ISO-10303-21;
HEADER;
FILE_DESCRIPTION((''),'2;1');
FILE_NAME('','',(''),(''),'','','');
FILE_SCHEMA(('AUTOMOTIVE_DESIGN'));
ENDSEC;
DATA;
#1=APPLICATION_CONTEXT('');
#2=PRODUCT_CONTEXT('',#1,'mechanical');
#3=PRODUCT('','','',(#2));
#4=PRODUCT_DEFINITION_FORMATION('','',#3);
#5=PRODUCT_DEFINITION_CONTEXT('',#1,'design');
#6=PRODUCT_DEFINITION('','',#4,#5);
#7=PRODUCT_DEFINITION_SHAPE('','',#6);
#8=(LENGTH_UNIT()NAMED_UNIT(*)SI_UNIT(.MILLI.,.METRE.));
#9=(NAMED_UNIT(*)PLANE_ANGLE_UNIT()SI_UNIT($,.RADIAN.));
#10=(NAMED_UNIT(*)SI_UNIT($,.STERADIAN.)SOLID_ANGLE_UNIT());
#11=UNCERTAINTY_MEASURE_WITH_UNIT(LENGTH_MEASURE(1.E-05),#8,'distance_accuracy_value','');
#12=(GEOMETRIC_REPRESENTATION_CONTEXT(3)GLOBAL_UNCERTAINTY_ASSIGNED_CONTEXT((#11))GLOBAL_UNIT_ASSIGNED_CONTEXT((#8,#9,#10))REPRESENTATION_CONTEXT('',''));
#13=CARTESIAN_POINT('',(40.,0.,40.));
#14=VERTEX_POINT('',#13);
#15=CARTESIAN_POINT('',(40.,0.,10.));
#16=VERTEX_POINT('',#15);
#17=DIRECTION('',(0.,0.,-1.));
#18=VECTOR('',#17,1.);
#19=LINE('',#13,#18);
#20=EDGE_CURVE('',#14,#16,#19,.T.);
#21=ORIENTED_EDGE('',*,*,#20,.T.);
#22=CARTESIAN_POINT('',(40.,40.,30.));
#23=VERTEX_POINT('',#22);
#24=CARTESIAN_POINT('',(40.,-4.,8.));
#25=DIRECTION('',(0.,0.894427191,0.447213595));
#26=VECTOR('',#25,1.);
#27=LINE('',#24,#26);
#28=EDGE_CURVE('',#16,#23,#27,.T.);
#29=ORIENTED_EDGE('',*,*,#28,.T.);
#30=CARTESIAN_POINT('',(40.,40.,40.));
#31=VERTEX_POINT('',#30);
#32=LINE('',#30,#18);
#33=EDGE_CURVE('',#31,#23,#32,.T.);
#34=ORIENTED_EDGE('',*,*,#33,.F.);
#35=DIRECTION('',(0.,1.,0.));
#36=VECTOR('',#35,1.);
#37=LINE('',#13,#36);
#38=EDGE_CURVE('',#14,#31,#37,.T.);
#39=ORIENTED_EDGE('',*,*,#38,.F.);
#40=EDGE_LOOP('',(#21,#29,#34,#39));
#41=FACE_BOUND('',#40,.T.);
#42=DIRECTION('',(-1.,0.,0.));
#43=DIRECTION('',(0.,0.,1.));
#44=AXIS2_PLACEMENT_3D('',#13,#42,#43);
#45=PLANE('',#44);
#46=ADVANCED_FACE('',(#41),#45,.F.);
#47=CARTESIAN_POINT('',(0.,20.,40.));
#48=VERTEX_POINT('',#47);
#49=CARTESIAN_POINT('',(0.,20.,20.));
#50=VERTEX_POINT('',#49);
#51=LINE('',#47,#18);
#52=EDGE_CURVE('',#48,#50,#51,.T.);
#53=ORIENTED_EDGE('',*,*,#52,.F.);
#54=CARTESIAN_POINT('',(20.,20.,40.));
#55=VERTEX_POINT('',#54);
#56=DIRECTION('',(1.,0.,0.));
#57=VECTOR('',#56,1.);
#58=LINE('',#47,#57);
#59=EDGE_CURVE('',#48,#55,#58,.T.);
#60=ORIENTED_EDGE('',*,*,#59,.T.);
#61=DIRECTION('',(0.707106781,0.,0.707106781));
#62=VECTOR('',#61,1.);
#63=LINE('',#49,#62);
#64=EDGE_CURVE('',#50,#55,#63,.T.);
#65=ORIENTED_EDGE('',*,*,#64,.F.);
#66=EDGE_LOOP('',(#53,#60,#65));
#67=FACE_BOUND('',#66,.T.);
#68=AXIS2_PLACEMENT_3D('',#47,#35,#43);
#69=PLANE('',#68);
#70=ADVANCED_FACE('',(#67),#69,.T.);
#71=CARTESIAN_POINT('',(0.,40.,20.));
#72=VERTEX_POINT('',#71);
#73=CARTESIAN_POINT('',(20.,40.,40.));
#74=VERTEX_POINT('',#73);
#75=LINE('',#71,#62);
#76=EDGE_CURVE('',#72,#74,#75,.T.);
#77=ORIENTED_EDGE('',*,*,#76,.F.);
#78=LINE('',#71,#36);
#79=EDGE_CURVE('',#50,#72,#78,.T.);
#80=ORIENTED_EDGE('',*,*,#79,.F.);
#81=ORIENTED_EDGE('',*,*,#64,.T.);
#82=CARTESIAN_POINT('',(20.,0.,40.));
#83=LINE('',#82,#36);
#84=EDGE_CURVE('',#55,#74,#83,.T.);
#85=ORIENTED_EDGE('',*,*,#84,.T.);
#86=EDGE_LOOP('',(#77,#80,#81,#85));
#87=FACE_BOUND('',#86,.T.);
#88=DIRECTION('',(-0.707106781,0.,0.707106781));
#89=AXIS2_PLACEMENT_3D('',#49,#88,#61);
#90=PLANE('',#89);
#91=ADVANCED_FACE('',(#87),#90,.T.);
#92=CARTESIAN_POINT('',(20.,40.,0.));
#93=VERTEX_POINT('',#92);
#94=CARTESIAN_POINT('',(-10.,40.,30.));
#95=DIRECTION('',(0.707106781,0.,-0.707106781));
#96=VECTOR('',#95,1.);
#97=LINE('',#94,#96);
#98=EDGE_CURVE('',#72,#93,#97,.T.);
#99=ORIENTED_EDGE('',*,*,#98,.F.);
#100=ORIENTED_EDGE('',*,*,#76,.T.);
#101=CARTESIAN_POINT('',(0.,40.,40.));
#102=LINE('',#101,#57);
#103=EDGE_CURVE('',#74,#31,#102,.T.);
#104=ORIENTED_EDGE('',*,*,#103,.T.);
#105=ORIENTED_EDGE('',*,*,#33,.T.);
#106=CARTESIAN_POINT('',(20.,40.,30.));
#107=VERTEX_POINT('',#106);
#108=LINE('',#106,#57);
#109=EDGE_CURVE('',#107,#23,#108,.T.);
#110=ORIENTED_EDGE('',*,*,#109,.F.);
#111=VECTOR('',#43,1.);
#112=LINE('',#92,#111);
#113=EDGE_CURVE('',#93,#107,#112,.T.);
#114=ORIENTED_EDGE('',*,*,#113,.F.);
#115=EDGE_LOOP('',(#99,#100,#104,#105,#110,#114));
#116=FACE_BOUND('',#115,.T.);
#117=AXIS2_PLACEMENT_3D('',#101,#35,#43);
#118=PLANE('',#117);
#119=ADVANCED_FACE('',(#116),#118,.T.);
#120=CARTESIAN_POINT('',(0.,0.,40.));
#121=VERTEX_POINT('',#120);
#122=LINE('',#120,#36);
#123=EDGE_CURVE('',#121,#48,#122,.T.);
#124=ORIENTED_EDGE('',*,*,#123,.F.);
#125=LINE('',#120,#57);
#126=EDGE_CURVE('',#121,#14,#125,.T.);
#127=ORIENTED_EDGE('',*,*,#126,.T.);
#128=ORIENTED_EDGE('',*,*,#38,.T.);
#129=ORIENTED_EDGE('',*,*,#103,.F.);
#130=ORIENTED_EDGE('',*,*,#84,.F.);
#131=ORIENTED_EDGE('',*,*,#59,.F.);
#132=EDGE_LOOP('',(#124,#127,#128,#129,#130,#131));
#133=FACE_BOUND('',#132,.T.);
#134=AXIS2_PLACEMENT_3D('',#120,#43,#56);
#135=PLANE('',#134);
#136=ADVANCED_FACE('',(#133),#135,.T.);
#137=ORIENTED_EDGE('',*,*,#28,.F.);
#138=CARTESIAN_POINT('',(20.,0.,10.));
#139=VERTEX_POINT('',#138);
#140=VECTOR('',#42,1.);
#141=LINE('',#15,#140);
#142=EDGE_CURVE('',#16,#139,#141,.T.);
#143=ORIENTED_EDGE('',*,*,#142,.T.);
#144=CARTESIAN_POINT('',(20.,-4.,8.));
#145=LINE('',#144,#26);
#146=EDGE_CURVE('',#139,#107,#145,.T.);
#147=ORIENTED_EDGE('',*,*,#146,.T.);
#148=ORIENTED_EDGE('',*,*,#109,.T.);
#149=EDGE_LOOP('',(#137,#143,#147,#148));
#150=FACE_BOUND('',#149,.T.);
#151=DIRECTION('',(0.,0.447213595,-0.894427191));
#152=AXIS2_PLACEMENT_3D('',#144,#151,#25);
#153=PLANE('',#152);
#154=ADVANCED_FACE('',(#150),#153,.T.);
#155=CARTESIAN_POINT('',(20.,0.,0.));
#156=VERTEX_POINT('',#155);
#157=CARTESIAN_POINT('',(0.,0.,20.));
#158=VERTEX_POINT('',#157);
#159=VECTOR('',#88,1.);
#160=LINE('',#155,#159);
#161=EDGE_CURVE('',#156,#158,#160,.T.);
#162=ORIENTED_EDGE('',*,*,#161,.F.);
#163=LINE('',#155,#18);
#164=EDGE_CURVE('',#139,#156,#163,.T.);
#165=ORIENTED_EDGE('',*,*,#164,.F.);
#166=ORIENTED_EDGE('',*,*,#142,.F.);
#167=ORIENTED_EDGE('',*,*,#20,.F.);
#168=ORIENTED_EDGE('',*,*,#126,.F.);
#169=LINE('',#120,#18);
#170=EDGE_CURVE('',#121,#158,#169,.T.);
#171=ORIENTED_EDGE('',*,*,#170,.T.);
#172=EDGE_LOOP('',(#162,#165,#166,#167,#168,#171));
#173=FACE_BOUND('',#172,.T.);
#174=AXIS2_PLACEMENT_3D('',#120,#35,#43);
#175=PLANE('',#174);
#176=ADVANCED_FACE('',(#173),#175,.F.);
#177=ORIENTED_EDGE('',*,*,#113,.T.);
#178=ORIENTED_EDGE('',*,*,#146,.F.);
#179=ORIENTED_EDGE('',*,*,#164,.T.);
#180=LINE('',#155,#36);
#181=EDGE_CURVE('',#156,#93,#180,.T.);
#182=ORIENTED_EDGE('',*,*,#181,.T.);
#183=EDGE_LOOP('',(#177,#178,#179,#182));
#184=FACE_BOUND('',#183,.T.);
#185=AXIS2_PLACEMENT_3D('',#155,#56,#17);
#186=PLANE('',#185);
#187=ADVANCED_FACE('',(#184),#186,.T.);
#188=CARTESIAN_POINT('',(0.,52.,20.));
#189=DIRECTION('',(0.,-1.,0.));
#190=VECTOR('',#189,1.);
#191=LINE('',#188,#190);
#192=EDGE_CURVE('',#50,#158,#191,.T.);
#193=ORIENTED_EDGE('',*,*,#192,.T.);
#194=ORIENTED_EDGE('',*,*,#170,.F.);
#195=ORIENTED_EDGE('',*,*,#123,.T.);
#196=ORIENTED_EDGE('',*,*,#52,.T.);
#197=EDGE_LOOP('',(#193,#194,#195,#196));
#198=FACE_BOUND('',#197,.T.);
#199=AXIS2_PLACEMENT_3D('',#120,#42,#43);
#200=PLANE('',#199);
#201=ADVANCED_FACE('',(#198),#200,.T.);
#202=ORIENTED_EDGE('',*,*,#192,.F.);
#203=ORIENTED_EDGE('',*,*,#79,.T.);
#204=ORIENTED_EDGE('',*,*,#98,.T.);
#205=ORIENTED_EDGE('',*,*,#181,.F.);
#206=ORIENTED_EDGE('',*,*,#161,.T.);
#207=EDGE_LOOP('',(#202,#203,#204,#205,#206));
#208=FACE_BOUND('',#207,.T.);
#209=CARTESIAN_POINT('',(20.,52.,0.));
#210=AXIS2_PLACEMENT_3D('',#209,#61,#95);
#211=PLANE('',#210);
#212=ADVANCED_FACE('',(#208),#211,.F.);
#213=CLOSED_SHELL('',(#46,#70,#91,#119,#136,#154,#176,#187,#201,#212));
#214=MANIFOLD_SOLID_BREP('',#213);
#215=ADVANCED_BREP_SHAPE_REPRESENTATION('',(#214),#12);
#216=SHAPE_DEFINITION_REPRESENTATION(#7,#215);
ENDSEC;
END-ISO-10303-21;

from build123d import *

# Parameters (mm, degrees)
BOSS_EXTRUDE1_DEPTH  = 40
SKETCH2_W            = 20
SKETCH2_H            = 20
BOSS_EXTRUDE3_DEPTH  = 20
CUT_EXTRUDE2_DEPTH   = 20
SKETCH5_W            = 20
SKETCH5_H            = 10
CUT_EXTRUDE3_DEPTH   = 20
CUT_EXTRUDE4_DEPTH   = 52
CUT_EXTRUDE8_DEPTH   = 20
BOSS_EXTRUDE11_DEPTH = 20


with BuildPart() as part:
    # Sketch1 → Boss-Extrude1 (new body)
    with BuildSketch(Plane.XY):
        Polygon((20, 20), (0, 20), (0, 0), (40, 0), (40, 40), (20, 40), align=None)
    extrude(amount=BOSS_EXTRUDE1_DEPTH)

    # Sketch2 → Boss-Extrude3 (add)
    with BuildSketch(Plane.ZY.offset(-20)):
        with Locations((10, 30)):
            Rectangle(SKETCH2_W, SKETCH2_H)
    extrude(amount=BOSS_EXTRUDE3_DEPTH)

    # Sketch3 → Cut-Extrude2 (cut)
    with BuildSketch(Plane(origin=(40, 0, 0), x_dir=(0, 0, -1), z_dir=(1, 0, 0))):
        Polygon((0, 0), (-20, 40), (-30, 40), align=None)
        Polygon((0, 40), (-20, 40), (0, 0), align=None)
    extrude(amount=-CUT_EXTRUDE2_DEPTH, mode=Mode.SUBTRACT)

    # Sketch5 → Cut-Extrude3 (cut)
    with BuildSketch(Plane(origin=(0, 0, 0), x_dir=(-1, 0, 0), z_dir=(0, -1, 0))):
        with Locations((-30, -5)):
            Rectangle(SKETCH5_W, SKETCH5_H)
    extrude(amount=-CUT_EXTRUDE3_DEPTH, mode=Mode.SUBTRACT)

    # Sketch6 → Cut-Extrude4 (cut)
    with BuildSketch(Plane.XZ):
        Polygon((20, 0), (0, 20), (0, 0), align=None)
    extrude(amount=-CUT_EXTRUDE4_DEPTH, mode=Mode.SUBTRACT)

    # Sketch7 → Cut-Extrude8 (cut)
    with BuildSketch(Plane(origin=(40, 0, 0), x_dir=(0, 0, -1), z_dir=(1, 0, 0))):
        Polygon((-10, 0), (-30, 40), (-10, 13.333333333), align=None)
    extrude(amount=-CUT_EXTRUDE8_DEPTH, mode=Mode.SUBTRACT)

    # Sketch14 → Boss-Extrude11 (add)
    with BuildSketch(Plane(origin=(0, 40, 0), x_dir=(1, 0, 0), z_dir=(0, 1, 0))):
        Polygon((0, -20), (20, -40), (20, -20), align=None)
    extrude(amount=-BOSS_EXTRUDE11_DEPTH)


solid = part.part
